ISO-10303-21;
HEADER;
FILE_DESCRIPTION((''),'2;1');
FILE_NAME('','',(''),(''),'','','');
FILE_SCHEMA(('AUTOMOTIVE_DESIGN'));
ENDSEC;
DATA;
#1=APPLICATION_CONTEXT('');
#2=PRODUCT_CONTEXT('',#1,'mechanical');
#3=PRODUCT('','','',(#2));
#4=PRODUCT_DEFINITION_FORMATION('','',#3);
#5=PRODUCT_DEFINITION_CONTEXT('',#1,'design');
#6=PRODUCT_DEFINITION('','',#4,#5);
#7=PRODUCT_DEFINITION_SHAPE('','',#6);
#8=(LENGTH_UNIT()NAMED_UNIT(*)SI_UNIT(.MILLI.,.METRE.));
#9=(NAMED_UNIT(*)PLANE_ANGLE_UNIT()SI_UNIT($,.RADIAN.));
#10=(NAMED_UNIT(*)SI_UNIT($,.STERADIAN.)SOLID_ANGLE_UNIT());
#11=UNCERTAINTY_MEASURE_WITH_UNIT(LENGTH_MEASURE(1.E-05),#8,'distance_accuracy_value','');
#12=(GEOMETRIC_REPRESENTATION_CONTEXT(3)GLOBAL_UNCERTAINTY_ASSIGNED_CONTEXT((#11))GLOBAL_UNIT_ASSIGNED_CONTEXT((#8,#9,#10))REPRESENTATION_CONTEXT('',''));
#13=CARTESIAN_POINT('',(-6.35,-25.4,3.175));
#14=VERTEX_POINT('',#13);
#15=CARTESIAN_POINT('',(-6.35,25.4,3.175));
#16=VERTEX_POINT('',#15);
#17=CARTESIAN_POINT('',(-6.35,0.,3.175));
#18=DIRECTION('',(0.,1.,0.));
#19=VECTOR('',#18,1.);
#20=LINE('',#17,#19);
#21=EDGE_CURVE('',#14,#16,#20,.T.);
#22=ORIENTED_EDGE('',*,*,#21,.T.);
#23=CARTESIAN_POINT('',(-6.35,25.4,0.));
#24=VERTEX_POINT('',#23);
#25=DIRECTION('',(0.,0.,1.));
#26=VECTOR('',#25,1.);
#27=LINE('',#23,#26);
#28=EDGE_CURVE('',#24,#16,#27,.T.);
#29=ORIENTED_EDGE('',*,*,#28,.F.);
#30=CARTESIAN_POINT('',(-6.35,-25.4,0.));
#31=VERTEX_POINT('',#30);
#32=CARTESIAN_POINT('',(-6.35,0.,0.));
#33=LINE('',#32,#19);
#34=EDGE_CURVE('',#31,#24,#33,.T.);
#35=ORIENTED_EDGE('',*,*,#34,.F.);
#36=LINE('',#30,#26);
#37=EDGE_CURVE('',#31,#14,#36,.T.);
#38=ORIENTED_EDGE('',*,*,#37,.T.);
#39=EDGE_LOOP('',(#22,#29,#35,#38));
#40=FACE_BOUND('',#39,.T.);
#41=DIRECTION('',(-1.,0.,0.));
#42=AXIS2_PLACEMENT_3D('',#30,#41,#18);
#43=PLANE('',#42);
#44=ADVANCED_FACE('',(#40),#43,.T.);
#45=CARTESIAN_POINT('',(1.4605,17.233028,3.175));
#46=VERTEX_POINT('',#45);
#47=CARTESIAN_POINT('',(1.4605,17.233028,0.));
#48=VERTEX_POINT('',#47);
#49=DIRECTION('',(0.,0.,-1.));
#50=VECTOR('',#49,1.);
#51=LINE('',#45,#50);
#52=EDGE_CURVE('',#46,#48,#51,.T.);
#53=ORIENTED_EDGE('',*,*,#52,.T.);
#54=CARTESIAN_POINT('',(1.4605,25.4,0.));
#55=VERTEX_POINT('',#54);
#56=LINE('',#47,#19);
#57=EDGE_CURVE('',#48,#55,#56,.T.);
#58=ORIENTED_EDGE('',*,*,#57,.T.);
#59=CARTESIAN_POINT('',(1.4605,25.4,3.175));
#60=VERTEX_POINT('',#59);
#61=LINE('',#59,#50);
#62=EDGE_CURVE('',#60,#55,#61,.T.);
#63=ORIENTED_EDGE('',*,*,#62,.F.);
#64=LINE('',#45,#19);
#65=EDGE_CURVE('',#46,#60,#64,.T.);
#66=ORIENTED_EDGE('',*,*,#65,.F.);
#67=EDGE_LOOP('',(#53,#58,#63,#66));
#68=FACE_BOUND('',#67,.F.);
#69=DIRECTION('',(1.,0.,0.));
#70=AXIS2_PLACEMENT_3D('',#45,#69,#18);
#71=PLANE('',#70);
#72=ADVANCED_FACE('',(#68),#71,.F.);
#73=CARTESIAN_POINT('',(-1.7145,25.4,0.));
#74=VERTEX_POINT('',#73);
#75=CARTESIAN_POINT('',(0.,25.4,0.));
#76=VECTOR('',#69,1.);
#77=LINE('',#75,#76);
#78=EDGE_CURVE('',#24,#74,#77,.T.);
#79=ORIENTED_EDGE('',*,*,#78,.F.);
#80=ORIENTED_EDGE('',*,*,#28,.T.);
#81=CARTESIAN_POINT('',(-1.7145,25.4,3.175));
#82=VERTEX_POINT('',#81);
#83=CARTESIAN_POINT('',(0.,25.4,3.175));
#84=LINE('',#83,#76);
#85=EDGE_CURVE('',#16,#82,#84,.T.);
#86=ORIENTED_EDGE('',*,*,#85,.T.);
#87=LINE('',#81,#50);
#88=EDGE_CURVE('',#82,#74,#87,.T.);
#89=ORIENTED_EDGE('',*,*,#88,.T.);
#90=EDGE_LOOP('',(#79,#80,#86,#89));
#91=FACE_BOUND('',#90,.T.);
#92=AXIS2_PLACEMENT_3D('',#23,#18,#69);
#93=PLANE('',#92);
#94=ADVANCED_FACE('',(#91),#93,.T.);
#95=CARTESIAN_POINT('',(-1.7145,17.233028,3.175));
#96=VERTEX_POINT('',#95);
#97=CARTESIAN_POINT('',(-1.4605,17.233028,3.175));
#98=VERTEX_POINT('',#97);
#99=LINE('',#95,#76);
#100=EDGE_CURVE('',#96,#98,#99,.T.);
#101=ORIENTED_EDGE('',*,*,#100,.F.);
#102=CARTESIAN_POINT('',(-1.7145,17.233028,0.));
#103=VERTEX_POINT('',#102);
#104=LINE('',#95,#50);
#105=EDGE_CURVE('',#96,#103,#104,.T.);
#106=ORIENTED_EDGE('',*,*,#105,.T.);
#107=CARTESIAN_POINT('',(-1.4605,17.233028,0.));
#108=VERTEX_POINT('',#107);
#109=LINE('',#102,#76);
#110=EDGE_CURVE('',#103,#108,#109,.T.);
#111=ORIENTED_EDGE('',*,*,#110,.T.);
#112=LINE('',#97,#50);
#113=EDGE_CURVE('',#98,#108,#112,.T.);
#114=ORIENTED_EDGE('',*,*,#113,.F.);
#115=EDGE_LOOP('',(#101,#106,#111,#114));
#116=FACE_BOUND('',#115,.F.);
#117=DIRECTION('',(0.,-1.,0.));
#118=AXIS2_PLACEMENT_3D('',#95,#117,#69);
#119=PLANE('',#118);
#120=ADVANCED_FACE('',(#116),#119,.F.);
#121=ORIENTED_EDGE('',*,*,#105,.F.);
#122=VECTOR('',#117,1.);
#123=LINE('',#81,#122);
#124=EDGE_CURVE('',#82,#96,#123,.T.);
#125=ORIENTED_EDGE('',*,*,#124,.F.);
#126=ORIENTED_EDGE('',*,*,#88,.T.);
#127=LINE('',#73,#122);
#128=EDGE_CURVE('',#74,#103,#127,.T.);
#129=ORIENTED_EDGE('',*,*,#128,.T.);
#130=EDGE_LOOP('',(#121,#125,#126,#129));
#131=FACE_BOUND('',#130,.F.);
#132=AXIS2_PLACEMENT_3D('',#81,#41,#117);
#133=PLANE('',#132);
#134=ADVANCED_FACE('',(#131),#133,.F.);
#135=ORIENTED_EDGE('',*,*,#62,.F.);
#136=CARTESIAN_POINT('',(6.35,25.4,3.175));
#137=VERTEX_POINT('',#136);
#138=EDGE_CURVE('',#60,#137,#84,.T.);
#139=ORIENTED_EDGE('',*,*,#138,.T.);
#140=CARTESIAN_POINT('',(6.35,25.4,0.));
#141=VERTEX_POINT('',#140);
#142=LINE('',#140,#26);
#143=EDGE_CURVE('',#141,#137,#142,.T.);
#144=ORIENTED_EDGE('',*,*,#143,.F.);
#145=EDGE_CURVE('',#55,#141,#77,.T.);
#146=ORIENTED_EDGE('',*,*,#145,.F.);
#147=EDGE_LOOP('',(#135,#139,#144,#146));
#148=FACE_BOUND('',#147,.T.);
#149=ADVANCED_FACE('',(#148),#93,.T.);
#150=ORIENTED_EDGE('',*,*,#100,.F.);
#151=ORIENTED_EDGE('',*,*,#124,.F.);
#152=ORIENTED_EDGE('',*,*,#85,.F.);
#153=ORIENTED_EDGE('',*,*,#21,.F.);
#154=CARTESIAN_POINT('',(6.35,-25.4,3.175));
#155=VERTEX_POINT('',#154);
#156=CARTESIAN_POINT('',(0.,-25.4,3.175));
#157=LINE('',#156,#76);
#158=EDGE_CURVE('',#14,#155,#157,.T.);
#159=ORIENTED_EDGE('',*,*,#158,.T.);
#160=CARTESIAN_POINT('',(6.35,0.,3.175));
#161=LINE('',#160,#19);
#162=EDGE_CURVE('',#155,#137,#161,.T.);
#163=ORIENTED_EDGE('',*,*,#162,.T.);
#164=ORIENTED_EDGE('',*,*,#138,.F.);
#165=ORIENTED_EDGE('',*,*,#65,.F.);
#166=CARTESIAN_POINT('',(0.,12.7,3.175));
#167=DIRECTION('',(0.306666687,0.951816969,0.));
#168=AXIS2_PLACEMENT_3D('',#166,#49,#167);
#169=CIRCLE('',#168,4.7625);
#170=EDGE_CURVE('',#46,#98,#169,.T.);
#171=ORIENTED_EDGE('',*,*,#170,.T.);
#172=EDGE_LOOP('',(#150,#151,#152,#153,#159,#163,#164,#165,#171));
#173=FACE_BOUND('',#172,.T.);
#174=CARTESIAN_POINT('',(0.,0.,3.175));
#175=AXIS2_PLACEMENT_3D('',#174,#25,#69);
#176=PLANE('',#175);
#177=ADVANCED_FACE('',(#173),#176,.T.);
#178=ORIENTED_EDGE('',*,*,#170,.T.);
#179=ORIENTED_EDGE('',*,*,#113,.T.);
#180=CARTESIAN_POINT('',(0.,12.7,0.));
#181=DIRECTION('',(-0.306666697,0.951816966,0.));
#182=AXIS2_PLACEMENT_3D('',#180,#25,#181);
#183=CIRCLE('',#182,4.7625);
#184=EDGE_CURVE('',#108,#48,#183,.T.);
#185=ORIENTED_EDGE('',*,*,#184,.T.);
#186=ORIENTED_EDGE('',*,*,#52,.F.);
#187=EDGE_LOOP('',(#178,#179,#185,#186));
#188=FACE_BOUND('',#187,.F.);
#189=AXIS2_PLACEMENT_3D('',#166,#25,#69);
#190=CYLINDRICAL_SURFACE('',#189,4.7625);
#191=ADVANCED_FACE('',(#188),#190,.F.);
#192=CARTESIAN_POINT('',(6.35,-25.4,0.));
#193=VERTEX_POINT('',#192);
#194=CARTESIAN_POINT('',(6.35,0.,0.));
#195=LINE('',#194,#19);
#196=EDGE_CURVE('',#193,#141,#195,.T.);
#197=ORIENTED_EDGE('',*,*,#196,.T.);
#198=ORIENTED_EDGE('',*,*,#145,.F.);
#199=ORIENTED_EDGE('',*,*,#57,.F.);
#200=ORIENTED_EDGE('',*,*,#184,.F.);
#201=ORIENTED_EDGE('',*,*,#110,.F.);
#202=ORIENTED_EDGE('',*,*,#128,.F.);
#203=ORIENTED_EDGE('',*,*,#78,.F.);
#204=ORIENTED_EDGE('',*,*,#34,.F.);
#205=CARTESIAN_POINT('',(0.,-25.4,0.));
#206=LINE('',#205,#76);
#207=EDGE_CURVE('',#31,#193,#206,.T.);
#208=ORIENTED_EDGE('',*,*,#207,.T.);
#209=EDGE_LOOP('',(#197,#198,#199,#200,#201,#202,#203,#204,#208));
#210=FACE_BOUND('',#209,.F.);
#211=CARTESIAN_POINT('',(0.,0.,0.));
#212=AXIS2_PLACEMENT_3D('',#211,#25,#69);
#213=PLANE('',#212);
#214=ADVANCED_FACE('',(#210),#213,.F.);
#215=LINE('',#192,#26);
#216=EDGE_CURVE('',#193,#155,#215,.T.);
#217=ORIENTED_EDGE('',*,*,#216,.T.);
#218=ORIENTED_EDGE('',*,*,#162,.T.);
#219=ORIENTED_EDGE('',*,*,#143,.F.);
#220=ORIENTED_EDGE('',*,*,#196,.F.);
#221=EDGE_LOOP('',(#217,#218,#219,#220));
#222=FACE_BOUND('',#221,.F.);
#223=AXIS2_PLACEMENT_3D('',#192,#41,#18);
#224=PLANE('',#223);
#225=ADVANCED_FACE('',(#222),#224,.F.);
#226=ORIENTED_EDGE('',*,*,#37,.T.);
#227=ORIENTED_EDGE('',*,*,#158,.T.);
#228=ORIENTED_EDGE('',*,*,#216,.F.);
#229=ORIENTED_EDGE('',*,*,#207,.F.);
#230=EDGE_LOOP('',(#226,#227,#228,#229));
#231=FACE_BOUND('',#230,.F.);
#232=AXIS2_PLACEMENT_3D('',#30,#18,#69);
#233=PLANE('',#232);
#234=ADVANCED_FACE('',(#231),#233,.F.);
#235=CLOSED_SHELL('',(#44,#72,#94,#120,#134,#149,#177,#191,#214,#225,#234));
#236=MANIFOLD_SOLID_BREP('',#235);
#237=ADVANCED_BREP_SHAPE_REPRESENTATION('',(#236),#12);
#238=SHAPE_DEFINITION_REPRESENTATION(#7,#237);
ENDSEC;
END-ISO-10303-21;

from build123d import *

# Parameters (mm, degrees)
F0_W     = 12.7
F0_H     = 50.8
F1_DEPTH = 3.175
F2_R     = 4.7625
F3_DEPTH = 3.175
F5_DEPTH = 3.175


with BuildPart() as f1:
    # F0 (on Top) → F1 (new body)
    with BuildSketch(Plane.XY):
        Rectangle(F0_W, F0_H)
    extrude(amount=F1_DEPTH)

    # F2 (on face) → F3 (cut, through all)
    with BuildSketch(Plane.XY.offset(3.175)):
        with Locations((0, 12.7)):
            Circle(F2_R)
    extrude(amount=-F3_DEPTH, mode=Mode.SUBTRACT)

    # F4 (on face) → F5 (cut, through all)
    with BuildSketch(Plane.XY.offset(3.175)):
        with BuildLine():
            Line((1.4605, 25.4), (-1.7145, 25.4))
            Line((-1.7145, 25.4), (-1.7145, 17.233028))
            Line((-1.7145, 17.233028), (-1.4605, 17.233028))
            ThreePointArc((-1.4605, 17.233028), (0, 17.4625), (1.4605, 17.233028))
            Line((1.4605, 17.233028), (1.4605, 25.4))
        make_face()
    extrude(amount=-F5_DEPTH, mode=Mode.SUBTRACT)


solid = f1.part
